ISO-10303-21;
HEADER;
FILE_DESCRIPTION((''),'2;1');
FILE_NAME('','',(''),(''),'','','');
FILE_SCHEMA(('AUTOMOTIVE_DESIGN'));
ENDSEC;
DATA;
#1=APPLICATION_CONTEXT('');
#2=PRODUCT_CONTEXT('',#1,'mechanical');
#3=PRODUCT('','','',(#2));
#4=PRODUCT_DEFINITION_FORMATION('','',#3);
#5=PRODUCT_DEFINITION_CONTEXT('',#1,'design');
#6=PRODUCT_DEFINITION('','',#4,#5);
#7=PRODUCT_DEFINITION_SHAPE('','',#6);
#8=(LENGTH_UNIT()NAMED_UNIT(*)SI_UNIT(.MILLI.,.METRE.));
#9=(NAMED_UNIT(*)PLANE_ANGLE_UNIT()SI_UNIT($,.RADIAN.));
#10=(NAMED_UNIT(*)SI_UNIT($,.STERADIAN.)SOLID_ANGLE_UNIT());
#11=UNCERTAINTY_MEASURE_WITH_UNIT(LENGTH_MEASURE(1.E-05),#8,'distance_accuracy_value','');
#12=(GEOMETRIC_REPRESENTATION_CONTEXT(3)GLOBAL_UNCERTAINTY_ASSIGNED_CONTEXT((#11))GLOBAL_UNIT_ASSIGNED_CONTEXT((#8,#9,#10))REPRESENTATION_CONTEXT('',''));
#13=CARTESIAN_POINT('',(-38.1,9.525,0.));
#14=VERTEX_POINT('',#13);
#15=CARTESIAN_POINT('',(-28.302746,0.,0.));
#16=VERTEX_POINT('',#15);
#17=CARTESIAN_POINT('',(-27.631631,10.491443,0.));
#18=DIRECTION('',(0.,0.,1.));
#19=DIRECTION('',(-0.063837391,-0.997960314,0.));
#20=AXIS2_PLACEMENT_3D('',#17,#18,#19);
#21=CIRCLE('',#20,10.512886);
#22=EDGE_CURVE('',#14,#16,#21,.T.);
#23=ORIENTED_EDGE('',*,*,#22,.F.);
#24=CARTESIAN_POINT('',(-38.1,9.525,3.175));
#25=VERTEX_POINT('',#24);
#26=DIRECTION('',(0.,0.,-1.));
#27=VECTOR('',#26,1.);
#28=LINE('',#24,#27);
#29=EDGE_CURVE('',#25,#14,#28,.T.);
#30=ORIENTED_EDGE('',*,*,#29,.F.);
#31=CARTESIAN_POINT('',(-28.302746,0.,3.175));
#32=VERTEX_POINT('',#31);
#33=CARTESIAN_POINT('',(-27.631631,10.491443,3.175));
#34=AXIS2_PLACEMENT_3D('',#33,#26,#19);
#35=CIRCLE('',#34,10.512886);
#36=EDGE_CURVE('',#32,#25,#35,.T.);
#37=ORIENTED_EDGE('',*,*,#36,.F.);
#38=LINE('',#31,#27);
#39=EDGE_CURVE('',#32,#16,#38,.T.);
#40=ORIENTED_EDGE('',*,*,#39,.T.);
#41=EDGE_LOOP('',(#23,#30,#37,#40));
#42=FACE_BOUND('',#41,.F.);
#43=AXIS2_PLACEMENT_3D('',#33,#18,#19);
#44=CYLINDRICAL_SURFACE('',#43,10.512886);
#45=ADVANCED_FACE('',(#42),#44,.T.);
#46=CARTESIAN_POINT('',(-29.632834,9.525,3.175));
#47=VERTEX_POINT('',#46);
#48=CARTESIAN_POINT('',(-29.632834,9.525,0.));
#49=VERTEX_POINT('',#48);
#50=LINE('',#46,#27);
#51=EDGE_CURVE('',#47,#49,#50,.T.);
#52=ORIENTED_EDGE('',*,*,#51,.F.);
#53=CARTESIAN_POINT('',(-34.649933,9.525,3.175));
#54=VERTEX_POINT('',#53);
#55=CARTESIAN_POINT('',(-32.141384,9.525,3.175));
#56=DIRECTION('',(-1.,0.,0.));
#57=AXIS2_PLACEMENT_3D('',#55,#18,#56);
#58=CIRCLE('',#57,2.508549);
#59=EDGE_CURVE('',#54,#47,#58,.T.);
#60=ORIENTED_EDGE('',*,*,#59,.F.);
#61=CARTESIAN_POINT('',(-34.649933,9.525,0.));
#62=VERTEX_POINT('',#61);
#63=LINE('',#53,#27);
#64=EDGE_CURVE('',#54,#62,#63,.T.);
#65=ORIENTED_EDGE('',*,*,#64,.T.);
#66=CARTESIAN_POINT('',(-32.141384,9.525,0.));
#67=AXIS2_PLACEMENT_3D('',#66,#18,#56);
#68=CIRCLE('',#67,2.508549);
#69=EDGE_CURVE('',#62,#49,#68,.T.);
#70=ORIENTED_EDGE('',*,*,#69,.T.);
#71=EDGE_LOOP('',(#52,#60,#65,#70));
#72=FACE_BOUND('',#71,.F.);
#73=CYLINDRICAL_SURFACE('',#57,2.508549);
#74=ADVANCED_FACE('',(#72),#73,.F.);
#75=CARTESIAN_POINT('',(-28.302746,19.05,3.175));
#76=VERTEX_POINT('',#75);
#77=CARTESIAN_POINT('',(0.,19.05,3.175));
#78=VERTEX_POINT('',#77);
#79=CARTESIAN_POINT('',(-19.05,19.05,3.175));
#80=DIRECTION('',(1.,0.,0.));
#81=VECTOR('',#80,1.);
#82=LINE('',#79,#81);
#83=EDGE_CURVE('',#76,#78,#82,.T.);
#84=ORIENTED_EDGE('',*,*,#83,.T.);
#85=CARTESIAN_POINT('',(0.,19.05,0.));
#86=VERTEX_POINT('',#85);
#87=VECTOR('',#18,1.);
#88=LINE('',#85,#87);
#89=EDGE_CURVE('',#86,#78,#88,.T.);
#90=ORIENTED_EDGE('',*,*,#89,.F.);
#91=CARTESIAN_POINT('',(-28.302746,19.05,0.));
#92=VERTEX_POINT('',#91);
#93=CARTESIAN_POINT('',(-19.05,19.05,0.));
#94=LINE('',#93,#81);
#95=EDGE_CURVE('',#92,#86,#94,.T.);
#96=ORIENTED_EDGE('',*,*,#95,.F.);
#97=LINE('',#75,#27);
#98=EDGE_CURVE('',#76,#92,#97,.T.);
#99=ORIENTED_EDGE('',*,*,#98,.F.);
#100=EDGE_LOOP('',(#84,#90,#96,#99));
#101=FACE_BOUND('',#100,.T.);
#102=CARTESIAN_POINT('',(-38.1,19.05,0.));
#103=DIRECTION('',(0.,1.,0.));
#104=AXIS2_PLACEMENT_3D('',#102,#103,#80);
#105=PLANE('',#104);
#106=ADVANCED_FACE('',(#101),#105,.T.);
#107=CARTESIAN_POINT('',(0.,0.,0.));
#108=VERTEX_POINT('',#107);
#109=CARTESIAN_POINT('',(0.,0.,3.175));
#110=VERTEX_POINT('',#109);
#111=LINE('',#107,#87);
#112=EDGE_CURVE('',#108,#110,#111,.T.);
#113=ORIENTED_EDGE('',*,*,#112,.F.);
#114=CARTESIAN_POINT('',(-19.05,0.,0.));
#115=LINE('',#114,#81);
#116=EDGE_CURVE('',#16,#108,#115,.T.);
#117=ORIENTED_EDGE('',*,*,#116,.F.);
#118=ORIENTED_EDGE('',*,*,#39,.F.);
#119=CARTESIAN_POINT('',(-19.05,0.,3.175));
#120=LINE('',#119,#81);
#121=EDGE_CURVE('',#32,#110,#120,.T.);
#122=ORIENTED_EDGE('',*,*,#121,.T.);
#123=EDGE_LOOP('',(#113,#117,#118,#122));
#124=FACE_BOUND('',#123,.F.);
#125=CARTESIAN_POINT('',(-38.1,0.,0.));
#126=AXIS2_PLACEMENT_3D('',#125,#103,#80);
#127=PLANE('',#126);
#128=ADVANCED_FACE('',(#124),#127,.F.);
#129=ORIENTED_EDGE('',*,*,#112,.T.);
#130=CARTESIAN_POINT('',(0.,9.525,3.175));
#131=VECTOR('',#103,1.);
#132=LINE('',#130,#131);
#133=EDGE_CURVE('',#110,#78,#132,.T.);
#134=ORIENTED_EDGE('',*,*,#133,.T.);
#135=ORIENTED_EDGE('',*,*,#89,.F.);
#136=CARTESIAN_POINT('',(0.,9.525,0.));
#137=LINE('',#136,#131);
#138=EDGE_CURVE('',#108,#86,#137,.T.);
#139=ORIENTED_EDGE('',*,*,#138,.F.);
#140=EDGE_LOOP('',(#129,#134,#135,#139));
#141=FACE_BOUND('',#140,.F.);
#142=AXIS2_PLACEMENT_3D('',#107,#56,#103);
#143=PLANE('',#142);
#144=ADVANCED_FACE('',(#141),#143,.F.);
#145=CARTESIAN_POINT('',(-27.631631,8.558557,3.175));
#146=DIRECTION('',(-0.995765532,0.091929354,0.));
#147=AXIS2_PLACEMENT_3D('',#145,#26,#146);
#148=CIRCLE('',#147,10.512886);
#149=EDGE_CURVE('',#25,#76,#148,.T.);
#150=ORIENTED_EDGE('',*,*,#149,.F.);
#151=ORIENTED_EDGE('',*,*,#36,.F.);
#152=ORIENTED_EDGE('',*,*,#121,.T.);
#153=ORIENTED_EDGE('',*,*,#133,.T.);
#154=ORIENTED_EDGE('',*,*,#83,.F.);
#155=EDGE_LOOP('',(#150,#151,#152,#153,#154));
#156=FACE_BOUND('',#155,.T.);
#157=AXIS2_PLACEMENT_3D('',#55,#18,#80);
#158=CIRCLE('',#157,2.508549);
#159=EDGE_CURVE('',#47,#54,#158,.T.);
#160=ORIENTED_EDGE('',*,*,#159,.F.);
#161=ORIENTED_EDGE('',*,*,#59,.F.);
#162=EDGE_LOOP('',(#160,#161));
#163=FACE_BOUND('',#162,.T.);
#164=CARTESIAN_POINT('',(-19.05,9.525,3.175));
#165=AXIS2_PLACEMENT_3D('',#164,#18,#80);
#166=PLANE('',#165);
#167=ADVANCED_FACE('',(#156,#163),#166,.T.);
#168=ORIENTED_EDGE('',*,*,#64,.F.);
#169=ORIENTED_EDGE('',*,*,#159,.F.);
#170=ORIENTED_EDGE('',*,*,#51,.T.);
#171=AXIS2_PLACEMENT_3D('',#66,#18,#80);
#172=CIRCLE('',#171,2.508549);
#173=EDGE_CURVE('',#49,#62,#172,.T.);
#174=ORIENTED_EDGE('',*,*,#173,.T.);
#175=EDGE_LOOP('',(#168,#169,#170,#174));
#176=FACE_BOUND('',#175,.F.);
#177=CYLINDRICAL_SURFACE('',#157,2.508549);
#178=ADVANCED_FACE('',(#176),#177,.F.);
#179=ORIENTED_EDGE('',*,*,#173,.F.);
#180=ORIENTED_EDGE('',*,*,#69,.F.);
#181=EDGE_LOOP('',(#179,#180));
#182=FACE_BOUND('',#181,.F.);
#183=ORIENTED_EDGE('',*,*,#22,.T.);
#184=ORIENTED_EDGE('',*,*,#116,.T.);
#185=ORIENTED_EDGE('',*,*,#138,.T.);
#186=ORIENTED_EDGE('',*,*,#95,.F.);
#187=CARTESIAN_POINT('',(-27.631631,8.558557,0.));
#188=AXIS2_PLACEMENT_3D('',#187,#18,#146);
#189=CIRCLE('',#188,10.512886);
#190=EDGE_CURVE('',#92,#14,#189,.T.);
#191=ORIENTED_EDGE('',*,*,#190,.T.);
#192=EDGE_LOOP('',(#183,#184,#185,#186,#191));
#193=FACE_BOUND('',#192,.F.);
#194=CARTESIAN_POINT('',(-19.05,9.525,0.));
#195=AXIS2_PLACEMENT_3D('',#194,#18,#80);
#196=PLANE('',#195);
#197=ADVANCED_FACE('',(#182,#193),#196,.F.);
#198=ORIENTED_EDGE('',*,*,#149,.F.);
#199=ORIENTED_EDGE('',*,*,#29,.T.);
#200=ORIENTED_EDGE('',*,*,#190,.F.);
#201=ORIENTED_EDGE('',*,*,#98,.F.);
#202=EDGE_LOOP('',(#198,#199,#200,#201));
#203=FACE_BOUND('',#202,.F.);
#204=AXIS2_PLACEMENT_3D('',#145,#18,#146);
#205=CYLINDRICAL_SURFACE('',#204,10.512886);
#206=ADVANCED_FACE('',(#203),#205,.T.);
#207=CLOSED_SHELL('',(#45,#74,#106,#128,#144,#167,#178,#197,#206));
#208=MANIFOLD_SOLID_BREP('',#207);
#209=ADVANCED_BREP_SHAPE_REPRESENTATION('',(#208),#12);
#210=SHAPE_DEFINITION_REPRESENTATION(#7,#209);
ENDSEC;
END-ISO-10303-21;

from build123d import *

# Parameters (mm, degrees)
F0_W     = 38.1
F0_H     = 19.05
F1_DEPTH = 3.175
F3_DEPTH = 3.176


with BuildPart() as f1:
    # F0 (on Top) → F1 (new body)
    with BuildSketch(Plane.XY):
        with Locations((-19.05, 9.525)):
            Rectangle(F0_W, F0_H)
    extrude(amount=F1_DEPTH)

    # F2 (on face) → F3 (cut, through all)
    with BuildSketch(Plane.XY.offset(3.175)):
        with BuildLine():
            Line((-38.1, 19.05), (-38.1, 9.525))
            ThreePointArc((-38.1, 9.525), (-34.9598934499, 16.0962844851), (-28.3027458936, 19.05))
            Line((-28.3027458936, 19.05), (-38.1, 19.05))
        make_face()
        with BuildLine():
            ThreePointArc((-28.3027458936, 0), (-34.9598934499, 2.9537155149), (-38.1, 9.525))
            Line((-38.1, 9.525), (-38.1, 0))
            Line((-38.1, 0), (-28.3027458936, 0))
        make_face()
        with BuildLine():
            Line((-34.6499329988, 9.525), (-29.6328344759, 9.525))
            ThreePointArc((-29.6328344759, 9.525), (-32.1413837373, 12.0335492614), (-34.6499329988, 9.525))
        make_face()
        with BuildLine():
            ThreePointArc((-34.6499329988, 9.525), (-32.1413837373, 7.0164507386), (-29.6328344759, 9.525))
            Line((-29.6328344759, 9.525), (-34.6499329988, 9.525))
        make_face()
    extrude(amount=-F3_DEPTH, mode=Mode.SUBTRACT)


solid = f1.part
